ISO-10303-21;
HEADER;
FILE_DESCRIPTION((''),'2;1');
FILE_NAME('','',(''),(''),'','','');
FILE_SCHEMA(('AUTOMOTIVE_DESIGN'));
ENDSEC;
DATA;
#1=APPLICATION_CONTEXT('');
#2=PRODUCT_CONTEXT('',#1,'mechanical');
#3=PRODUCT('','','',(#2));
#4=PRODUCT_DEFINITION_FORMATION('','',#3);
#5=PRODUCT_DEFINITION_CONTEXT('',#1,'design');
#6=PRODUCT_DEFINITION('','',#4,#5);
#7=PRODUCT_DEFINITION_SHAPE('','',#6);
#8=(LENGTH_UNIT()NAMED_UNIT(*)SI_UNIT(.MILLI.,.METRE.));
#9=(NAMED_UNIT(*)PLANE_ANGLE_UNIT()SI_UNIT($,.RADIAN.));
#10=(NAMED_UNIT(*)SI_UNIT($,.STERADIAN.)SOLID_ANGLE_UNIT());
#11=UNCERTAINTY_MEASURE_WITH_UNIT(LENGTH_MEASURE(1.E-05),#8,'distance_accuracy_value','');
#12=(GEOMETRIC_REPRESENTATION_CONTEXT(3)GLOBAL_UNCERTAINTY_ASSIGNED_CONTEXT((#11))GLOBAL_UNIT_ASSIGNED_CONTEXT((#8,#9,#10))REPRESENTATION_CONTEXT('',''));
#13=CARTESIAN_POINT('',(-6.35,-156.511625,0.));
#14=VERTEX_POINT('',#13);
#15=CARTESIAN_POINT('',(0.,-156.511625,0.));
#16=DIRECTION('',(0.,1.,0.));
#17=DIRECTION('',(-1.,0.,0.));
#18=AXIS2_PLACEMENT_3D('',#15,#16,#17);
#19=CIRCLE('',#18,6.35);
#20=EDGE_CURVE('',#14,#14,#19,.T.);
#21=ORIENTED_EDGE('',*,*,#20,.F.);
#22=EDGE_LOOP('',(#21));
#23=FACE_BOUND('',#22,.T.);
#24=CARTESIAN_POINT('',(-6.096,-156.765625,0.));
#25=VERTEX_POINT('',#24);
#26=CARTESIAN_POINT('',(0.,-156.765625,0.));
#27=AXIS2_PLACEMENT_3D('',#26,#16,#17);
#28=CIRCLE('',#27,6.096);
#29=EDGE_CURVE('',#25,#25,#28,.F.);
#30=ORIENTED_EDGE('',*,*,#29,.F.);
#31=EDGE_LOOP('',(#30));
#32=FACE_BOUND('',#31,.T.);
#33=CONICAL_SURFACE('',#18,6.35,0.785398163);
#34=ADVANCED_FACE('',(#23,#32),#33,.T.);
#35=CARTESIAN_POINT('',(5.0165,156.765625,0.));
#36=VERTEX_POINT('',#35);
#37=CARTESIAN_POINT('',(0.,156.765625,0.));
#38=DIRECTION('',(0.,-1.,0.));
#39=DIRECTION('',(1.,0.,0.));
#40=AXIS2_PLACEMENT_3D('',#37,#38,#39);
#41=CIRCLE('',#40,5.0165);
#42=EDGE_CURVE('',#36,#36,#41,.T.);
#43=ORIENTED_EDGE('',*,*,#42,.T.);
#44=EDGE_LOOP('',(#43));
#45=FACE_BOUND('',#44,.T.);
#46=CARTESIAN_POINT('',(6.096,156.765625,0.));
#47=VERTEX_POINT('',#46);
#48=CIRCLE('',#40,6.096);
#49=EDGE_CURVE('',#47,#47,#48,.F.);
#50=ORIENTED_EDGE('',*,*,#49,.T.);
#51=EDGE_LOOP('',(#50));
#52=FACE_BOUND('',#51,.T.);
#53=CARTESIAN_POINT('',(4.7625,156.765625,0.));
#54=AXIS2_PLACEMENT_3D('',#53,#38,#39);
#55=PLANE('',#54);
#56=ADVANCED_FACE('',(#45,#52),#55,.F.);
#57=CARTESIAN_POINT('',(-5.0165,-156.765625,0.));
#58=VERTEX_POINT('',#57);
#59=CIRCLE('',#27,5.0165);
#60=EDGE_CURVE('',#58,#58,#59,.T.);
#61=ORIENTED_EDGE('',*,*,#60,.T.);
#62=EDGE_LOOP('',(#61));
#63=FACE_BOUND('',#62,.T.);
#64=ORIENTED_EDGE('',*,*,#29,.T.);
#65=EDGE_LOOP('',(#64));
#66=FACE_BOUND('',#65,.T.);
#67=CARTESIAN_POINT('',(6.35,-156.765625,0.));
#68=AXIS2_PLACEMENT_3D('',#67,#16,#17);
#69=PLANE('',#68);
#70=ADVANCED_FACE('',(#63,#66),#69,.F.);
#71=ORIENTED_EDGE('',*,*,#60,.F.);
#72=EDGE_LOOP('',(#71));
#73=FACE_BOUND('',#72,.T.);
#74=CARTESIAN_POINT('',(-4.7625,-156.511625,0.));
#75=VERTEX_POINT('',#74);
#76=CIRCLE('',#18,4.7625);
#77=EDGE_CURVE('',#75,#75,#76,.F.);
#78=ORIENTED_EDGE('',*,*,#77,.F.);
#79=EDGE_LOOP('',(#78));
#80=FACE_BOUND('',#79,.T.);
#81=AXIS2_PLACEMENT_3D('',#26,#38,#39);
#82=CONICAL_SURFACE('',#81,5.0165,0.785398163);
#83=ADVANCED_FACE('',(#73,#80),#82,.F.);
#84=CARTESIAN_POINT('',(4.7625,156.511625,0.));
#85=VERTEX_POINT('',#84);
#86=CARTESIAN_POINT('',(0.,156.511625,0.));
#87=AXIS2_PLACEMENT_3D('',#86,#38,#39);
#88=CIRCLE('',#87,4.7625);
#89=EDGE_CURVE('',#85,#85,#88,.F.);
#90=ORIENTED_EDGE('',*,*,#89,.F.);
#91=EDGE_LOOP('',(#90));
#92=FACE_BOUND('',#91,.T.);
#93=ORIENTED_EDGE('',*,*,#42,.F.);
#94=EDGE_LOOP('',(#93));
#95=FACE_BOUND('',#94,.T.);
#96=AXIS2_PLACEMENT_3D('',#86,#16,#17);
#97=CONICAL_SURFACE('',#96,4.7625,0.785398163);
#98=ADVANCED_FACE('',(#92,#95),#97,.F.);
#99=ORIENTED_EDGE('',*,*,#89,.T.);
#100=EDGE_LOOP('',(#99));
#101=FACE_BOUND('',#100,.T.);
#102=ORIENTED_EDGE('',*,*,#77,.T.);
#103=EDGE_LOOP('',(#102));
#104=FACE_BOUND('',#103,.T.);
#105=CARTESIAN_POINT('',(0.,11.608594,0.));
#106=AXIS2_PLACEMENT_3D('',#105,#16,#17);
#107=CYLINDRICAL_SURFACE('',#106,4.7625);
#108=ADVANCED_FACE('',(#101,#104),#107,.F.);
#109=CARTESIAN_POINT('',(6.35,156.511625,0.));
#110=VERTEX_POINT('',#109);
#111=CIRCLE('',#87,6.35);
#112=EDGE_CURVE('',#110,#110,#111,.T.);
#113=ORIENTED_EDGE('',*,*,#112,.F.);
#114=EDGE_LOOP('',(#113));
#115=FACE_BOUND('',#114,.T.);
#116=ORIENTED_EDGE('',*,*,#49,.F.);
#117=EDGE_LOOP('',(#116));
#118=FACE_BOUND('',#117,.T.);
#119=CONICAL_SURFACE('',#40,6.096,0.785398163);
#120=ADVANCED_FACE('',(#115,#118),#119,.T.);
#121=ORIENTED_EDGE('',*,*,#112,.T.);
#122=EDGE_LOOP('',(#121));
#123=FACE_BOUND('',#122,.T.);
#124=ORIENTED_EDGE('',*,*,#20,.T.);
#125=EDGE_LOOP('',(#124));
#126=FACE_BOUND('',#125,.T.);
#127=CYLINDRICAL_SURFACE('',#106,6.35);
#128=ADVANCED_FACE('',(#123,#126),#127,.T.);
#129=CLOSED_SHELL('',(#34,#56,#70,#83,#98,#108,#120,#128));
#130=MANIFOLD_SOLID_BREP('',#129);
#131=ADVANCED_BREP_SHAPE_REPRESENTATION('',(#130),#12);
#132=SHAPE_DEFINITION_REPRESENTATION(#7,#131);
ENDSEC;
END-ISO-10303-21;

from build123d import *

# Parameters (mm, degrees)
SKETCH1_W     = 1.5875
SKETCH1_H     = 313.53125
CHAMFER1_SIZE = 0.254


with BuildPart() as part:
    # Sketch1 → Revolve1 (revolve)
    with BuildSketch(Plane.XY):
        with Locations((5.55625, 0)):
            Rectangle(SKETCH1_W, SKETCH1_H)
    revolve(axis=Axis((0, 11.60859375, 0), (0, -1, 0)))

    # Chamfer1
    chamfer1_edges = [part.edges().sort_by_distance(p)[0] for p in [
        (-4.7625, -156.765625, 0),
        (-6.35, -156.765625, 0),
        (-6.35, 156.765625, 0),
        (-4.7625, 156.765625, 0),
    ]]
    chamfer(chamfer1_edges, length=CHAMFER1_SIZE)


solid = part.part
